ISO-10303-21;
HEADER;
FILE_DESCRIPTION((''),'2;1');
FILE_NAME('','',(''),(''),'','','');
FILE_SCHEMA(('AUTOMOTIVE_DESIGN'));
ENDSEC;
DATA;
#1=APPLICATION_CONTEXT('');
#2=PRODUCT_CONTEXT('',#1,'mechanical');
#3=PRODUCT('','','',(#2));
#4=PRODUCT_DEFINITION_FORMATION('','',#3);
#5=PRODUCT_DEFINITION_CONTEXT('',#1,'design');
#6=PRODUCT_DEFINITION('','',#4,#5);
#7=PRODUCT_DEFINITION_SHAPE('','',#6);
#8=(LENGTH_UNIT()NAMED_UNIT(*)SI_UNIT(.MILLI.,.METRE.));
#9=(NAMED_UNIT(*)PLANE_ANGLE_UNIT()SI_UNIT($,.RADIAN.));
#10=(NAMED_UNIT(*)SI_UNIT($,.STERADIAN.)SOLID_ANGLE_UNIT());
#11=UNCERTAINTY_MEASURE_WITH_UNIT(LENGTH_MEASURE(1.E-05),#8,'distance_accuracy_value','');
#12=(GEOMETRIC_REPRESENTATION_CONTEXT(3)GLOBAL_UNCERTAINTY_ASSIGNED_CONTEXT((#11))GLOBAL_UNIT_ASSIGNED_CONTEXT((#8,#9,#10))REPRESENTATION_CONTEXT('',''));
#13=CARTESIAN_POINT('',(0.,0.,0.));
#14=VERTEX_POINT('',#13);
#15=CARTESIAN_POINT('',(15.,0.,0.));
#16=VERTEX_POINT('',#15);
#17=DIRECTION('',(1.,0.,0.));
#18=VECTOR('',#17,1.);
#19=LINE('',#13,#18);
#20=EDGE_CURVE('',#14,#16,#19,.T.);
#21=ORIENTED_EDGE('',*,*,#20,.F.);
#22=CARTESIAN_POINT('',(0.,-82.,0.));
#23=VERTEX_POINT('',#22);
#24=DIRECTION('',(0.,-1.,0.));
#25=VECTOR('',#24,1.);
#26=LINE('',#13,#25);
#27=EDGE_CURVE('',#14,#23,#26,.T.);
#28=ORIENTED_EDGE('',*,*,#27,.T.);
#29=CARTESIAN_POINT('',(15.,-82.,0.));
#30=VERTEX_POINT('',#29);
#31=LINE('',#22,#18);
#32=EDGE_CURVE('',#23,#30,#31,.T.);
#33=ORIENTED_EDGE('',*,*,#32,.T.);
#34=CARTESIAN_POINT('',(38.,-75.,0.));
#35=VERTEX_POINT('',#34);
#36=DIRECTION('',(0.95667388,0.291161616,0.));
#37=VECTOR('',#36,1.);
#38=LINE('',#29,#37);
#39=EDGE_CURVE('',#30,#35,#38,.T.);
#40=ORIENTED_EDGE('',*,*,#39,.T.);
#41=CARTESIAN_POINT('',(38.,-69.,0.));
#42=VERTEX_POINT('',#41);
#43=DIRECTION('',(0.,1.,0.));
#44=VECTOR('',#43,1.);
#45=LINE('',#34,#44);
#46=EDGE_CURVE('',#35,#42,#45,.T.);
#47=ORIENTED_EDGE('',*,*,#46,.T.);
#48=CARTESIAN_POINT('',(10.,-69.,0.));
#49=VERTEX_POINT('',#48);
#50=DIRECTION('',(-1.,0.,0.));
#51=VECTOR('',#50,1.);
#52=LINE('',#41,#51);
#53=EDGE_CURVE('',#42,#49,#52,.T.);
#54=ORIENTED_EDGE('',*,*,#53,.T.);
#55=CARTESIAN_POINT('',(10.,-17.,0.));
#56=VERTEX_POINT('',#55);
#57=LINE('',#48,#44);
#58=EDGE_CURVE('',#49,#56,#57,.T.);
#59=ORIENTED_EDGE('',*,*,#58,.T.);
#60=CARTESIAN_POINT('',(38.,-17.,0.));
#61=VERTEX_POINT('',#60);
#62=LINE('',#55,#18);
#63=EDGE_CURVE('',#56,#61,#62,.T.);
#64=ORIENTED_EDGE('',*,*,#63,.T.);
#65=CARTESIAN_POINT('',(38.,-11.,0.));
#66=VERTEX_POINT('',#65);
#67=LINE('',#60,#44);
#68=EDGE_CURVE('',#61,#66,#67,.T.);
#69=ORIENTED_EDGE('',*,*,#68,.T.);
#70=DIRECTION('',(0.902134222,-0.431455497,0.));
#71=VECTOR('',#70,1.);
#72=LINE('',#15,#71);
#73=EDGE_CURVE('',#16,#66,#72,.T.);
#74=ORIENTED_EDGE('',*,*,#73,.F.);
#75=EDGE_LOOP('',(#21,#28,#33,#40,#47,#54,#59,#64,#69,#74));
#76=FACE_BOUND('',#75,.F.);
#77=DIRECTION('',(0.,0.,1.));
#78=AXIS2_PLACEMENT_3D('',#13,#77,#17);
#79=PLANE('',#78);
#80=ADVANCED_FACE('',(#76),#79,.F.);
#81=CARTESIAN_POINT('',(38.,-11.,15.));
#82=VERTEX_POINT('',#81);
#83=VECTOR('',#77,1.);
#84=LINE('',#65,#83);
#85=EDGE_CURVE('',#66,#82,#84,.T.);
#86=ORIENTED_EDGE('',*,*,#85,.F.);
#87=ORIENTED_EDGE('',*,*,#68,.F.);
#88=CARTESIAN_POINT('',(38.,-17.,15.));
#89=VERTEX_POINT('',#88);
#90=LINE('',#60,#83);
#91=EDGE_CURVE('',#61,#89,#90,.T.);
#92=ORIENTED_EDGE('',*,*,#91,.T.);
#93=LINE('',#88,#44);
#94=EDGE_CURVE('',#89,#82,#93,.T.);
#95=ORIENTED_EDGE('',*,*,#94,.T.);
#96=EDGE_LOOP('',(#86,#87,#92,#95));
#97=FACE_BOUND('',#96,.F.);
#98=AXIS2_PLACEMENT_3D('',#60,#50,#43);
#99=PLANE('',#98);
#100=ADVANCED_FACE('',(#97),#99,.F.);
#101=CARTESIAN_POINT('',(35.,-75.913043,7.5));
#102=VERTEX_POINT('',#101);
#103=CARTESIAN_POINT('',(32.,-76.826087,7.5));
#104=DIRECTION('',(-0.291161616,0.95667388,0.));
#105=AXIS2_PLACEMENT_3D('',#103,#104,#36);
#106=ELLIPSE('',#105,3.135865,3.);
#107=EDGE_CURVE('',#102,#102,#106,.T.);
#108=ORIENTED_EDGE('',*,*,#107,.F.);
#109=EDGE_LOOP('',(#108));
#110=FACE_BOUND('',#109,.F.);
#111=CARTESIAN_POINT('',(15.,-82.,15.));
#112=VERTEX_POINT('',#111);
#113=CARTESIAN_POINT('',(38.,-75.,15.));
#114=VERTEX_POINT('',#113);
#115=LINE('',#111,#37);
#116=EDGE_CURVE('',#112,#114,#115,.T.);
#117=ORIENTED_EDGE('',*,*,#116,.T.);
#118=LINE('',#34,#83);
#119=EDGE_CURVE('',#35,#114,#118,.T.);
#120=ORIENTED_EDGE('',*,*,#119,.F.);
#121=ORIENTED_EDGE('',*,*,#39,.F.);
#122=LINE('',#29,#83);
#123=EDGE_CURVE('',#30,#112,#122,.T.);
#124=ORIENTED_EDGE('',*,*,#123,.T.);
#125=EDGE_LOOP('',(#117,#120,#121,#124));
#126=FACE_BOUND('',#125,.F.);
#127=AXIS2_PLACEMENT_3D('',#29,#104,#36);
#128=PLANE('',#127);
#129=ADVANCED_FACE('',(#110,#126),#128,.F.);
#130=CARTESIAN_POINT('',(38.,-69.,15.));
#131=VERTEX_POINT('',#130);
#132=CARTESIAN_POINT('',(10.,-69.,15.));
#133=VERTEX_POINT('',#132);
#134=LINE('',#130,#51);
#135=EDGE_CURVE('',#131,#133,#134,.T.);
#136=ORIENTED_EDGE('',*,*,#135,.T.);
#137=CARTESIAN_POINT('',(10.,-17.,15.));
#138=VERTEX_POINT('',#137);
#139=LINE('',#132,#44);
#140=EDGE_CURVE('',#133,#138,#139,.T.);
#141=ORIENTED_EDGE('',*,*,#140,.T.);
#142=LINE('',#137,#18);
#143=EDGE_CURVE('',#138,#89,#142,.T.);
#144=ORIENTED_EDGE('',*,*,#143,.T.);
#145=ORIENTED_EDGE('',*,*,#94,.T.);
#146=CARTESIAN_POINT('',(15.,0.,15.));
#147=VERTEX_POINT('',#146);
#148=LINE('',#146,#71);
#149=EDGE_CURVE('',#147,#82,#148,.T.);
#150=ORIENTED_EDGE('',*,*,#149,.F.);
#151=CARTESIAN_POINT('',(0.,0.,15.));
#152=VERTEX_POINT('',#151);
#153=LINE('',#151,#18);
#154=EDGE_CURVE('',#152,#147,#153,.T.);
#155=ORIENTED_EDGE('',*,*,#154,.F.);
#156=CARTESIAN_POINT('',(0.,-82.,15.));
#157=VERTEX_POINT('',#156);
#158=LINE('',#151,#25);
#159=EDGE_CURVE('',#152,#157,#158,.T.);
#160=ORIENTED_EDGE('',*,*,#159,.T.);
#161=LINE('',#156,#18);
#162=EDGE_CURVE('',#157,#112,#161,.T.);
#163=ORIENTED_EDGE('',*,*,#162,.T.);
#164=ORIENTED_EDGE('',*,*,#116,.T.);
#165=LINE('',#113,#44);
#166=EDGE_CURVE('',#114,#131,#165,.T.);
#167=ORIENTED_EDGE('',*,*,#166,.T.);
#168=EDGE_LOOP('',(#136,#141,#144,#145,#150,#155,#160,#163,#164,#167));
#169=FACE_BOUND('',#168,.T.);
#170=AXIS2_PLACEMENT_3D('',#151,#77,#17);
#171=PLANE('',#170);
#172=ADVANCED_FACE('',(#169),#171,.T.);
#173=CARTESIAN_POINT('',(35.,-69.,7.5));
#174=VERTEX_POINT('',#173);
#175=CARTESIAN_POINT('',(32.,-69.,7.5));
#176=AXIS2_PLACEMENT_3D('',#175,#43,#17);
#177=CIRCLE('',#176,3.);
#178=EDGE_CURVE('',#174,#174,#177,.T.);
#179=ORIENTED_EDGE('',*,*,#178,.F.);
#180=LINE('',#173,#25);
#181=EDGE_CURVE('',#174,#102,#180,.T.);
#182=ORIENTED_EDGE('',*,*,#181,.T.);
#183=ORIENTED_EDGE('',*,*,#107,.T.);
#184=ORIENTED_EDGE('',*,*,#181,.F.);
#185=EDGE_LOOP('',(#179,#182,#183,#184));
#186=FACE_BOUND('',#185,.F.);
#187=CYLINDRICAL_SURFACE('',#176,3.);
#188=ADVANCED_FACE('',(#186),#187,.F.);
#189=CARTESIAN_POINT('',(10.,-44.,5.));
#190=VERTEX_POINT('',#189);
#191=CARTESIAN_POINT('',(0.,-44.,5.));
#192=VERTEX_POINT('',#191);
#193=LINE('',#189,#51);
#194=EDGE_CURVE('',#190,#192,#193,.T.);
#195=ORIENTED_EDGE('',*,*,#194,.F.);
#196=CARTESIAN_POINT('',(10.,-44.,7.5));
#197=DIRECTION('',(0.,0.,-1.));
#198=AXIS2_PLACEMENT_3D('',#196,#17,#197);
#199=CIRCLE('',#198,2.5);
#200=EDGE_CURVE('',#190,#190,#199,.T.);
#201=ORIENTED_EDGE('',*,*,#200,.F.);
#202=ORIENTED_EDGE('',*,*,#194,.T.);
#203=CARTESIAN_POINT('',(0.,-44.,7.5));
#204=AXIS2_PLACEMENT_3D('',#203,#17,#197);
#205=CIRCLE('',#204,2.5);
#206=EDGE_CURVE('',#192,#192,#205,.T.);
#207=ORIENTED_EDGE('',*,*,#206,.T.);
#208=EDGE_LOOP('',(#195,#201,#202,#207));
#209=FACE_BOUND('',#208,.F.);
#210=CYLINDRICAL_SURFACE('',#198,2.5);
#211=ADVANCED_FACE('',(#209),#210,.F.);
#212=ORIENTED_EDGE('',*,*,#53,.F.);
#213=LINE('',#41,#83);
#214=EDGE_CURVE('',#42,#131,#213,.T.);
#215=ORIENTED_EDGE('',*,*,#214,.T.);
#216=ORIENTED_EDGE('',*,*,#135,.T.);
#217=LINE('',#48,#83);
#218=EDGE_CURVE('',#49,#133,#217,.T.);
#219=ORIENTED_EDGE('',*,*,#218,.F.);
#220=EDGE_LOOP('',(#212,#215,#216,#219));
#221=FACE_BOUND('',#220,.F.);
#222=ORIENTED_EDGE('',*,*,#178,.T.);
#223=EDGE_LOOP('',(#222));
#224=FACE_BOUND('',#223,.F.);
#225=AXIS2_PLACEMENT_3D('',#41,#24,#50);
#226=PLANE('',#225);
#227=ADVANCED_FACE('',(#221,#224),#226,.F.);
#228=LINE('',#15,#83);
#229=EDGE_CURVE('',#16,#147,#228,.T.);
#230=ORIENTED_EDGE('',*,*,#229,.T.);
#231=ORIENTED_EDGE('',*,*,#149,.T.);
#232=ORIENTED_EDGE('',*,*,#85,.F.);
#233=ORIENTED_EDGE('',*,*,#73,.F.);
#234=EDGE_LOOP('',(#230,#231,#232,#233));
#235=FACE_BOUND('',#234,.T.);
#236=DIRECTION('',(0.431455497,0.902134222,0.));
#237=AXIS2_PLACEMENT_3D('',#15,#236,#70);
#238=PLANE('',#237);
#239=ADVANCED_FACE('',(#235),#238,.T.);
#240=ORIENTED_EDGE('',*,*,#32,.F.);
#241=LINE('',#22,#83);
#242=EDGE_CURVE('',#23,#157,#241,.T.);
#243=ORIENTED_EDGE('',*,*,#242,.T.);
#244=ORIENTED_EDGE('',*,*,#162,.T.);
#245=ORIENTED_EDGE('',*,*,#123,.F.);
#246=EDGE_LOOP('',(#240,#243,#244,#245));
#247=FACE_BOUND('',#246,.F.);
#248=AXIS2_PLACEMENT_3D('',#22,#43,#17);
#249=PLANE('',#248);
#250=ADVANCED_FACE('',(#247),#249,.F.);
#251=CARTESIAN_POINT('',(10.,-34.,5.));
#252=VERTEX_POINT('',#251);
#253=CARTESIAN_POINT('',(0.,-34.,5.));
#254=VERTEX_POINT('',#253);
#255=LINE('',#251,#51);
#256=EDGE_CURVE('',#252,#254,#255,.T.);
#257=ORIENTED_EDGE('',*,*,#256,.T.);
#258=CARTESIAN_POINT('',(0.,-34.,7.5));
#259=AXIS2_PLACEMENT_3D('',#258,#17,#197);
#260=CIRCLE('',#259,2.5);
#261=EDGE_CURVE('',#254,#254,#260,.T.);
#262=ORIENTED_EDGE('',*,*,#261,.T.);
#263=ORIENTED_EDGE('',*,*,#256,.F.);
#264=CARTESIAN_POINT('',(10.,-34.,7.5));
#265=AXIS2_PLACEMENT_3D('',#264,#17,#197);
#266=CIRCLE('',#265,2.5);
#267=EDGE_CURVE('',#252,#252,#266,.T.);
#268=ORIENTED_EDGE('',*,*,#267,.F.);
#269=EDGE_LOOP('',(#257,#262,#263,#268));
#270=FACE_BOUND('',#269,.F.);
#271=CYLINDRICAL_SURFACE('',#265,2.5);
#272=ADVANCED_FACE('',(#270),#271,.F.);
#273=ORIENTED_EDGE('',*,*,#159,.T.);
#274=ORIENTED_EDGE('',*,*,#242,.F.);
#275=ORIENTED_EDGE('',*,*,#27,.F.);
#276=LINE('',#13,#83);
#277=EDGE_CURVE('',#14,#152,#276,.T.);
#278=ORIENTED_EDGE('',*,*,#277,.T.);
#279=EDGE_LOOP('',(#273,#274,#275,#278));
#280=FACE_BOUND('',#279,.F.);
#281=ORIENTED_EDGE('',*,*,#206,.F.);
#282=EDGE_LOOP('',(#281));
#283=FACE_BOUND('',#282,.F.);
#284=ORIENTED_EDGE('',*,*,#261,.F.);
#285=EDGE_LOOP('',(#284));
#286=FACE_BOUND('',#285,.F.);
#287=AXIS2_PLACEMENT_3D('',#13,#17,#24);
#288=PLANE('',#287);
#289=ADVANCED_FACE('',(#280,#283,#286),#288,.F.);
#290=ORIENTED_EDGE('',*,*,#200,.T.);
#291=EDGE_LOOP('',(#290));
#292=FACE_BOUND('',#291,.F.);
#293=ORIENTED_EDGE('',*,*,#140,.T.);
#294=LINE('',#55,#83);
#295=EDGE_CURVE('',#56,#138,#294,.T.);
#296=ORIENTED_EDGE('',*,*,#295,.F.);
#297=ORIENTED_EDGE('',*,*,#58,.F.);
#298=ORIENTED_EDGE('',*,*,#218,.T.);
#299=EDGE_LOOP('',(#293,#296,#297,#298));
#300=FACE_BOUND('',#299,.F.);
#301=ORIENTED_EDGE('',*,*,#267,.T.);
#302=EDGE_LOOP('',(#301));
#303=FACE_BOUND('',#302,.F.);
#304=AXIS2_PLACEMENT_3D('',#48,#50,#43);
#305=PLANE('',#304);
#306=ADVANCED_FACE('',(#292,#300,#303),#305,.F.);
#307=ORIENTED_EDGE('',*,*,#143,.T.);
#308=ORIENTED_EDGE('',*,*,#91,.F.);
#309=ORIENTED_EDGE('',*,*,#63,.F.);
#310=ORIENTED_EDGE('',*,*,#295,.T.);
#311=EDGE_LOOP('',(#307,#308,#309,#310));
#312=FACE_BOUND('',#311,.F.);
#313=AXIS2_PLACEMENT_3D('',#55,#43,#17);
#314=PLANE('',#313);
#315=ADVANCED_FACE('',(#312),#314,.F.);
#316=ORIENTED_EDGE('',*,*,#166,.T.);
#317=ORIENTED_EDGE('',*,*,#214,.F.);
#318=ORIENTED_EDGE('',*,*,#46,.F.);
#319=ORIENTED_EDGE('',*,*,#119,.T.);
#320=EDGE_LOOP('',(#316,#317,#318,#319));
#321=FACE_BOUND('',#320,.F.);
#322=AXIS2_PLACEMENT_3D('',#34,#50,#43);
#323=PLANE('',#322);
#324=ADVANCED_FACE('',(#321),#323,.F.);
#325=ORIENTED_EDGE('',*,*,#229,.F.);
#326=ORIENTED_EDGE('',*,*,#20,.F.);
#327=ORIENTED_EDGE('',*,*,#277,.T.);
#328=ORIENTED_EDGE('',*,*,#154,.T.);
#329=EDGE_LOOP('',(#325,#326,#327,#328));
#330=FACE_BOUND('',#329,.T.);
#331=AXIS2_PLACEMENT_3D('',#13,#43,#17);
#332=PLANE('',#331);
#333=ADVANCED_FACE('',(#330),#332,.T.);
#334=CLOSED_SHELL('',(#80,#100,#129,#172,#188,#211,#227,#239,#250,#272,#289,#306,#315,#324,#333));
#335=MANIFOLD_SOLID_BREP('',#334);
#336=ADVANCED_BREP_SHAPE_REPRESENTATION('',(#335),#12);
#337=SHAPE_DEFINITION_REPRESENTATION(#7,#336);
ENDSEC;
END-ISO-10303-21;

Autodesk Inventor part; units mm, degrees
ref_plane "YZ Plane" through (0, 0, 0) normal (1, 0, 0) x (0, 1, 0)
ref_plane "XZ Plane" through (0, 0, 0) normal (0, 1, 0) x (-1, 0, 0)
ref_plane "XY Plane" through (0, 0, 0) normal (0, 0, 1) x (1, 0, 0)
sketch "Sketch1" plane through (0, 0, 0) normal (0, 0, 1) x (1, 0, 0)
  line L0 (0, 0) -> (0, -82)
  line L1 (0, -82) -> (15, -82)
  line L2 (15, -82) -> (15, -75) construction
  line L3 (15, -75) -> (38, -75) construction
  line L4 (15, -82) -> (38, -75)
  line L5 (38, -75) -> (38, -69)
  line L6 (38, -69) -> (10, -69)
  line L7 (10, -69) -> (10, -17)
  line L8 (10, -17) -> (38, -17)
  line L9 (38, -17) -> (38, -11)
  line L10 (0, 0) -> (15, 0)
  line L11 (15, 0) -> (38, -11)
  dimension "d0" = 82
  dimension "d1" = 15
  dimension "d2" = 90
  dimension "d3" = 7
  dimension "d4" = 23
  dimension "d5" = 6
  dimension "d6" = 28
  dimension "d7" = 90
  dimension "d8" = 52
  dimension "d9" = 90
  dimension "d10" = 28
  dimension "d11" = 6
  dimension "d12" = 15
extrude "Extrusion1" add sketch "Sketch1" along normal blind 15
sketch "Sketch2" plane through (10, -69, 0) normal (0, 1, 0) x (1, 0, 0)
  line L0 (5, 0) -> (28, 0) projected
  line L1 (28, 0) -> (28, -15) projected
  line L2 (5, -15) -> (28, -15) projected
  line L3 (5, 0) -> (5, -15) projected
  line L4 (28, 0) -> (28, -15) construction
  line L5 (28, -7.5) -> (22, -7.5) construction
  circle A0 centre (22, -7.5) radius 3
  point P0 (-10, 0)
  dimension "d15" = 6
  dimension "d16" = 6
extrude "Extrusion2" cut sketch "Sketch2" against normal blind 15 contours A0
sketch "Sketch3" plane through (10, -69, 0) normal (1, 0, 0) x (0, 0, -1)
  line L0 (0, 52) -> (-15, 52) construction
  line L1 (-7.5, 52) -> (-7.5, 35) construction
  line L2 (-7.5, 52) -> (9.5, 52) construction
  line L3 (-7.5, 35) -> (-7.5, 25) construction
  circle A0 centre (-7.5, 35) radius 2.5
  circle A1 centre (-7.5, 25) radius 2.5
  point P0 (0, 69)
  dimension "d19" = 17
  dimension "d20" = 90
  dimension "d21" = 10
  dimension "d22" = 5
  dimension "d23" = 5
extrude "Extrusion3" cut sketch "Sketch3" against normal blind 15
properties part number "clamp"
